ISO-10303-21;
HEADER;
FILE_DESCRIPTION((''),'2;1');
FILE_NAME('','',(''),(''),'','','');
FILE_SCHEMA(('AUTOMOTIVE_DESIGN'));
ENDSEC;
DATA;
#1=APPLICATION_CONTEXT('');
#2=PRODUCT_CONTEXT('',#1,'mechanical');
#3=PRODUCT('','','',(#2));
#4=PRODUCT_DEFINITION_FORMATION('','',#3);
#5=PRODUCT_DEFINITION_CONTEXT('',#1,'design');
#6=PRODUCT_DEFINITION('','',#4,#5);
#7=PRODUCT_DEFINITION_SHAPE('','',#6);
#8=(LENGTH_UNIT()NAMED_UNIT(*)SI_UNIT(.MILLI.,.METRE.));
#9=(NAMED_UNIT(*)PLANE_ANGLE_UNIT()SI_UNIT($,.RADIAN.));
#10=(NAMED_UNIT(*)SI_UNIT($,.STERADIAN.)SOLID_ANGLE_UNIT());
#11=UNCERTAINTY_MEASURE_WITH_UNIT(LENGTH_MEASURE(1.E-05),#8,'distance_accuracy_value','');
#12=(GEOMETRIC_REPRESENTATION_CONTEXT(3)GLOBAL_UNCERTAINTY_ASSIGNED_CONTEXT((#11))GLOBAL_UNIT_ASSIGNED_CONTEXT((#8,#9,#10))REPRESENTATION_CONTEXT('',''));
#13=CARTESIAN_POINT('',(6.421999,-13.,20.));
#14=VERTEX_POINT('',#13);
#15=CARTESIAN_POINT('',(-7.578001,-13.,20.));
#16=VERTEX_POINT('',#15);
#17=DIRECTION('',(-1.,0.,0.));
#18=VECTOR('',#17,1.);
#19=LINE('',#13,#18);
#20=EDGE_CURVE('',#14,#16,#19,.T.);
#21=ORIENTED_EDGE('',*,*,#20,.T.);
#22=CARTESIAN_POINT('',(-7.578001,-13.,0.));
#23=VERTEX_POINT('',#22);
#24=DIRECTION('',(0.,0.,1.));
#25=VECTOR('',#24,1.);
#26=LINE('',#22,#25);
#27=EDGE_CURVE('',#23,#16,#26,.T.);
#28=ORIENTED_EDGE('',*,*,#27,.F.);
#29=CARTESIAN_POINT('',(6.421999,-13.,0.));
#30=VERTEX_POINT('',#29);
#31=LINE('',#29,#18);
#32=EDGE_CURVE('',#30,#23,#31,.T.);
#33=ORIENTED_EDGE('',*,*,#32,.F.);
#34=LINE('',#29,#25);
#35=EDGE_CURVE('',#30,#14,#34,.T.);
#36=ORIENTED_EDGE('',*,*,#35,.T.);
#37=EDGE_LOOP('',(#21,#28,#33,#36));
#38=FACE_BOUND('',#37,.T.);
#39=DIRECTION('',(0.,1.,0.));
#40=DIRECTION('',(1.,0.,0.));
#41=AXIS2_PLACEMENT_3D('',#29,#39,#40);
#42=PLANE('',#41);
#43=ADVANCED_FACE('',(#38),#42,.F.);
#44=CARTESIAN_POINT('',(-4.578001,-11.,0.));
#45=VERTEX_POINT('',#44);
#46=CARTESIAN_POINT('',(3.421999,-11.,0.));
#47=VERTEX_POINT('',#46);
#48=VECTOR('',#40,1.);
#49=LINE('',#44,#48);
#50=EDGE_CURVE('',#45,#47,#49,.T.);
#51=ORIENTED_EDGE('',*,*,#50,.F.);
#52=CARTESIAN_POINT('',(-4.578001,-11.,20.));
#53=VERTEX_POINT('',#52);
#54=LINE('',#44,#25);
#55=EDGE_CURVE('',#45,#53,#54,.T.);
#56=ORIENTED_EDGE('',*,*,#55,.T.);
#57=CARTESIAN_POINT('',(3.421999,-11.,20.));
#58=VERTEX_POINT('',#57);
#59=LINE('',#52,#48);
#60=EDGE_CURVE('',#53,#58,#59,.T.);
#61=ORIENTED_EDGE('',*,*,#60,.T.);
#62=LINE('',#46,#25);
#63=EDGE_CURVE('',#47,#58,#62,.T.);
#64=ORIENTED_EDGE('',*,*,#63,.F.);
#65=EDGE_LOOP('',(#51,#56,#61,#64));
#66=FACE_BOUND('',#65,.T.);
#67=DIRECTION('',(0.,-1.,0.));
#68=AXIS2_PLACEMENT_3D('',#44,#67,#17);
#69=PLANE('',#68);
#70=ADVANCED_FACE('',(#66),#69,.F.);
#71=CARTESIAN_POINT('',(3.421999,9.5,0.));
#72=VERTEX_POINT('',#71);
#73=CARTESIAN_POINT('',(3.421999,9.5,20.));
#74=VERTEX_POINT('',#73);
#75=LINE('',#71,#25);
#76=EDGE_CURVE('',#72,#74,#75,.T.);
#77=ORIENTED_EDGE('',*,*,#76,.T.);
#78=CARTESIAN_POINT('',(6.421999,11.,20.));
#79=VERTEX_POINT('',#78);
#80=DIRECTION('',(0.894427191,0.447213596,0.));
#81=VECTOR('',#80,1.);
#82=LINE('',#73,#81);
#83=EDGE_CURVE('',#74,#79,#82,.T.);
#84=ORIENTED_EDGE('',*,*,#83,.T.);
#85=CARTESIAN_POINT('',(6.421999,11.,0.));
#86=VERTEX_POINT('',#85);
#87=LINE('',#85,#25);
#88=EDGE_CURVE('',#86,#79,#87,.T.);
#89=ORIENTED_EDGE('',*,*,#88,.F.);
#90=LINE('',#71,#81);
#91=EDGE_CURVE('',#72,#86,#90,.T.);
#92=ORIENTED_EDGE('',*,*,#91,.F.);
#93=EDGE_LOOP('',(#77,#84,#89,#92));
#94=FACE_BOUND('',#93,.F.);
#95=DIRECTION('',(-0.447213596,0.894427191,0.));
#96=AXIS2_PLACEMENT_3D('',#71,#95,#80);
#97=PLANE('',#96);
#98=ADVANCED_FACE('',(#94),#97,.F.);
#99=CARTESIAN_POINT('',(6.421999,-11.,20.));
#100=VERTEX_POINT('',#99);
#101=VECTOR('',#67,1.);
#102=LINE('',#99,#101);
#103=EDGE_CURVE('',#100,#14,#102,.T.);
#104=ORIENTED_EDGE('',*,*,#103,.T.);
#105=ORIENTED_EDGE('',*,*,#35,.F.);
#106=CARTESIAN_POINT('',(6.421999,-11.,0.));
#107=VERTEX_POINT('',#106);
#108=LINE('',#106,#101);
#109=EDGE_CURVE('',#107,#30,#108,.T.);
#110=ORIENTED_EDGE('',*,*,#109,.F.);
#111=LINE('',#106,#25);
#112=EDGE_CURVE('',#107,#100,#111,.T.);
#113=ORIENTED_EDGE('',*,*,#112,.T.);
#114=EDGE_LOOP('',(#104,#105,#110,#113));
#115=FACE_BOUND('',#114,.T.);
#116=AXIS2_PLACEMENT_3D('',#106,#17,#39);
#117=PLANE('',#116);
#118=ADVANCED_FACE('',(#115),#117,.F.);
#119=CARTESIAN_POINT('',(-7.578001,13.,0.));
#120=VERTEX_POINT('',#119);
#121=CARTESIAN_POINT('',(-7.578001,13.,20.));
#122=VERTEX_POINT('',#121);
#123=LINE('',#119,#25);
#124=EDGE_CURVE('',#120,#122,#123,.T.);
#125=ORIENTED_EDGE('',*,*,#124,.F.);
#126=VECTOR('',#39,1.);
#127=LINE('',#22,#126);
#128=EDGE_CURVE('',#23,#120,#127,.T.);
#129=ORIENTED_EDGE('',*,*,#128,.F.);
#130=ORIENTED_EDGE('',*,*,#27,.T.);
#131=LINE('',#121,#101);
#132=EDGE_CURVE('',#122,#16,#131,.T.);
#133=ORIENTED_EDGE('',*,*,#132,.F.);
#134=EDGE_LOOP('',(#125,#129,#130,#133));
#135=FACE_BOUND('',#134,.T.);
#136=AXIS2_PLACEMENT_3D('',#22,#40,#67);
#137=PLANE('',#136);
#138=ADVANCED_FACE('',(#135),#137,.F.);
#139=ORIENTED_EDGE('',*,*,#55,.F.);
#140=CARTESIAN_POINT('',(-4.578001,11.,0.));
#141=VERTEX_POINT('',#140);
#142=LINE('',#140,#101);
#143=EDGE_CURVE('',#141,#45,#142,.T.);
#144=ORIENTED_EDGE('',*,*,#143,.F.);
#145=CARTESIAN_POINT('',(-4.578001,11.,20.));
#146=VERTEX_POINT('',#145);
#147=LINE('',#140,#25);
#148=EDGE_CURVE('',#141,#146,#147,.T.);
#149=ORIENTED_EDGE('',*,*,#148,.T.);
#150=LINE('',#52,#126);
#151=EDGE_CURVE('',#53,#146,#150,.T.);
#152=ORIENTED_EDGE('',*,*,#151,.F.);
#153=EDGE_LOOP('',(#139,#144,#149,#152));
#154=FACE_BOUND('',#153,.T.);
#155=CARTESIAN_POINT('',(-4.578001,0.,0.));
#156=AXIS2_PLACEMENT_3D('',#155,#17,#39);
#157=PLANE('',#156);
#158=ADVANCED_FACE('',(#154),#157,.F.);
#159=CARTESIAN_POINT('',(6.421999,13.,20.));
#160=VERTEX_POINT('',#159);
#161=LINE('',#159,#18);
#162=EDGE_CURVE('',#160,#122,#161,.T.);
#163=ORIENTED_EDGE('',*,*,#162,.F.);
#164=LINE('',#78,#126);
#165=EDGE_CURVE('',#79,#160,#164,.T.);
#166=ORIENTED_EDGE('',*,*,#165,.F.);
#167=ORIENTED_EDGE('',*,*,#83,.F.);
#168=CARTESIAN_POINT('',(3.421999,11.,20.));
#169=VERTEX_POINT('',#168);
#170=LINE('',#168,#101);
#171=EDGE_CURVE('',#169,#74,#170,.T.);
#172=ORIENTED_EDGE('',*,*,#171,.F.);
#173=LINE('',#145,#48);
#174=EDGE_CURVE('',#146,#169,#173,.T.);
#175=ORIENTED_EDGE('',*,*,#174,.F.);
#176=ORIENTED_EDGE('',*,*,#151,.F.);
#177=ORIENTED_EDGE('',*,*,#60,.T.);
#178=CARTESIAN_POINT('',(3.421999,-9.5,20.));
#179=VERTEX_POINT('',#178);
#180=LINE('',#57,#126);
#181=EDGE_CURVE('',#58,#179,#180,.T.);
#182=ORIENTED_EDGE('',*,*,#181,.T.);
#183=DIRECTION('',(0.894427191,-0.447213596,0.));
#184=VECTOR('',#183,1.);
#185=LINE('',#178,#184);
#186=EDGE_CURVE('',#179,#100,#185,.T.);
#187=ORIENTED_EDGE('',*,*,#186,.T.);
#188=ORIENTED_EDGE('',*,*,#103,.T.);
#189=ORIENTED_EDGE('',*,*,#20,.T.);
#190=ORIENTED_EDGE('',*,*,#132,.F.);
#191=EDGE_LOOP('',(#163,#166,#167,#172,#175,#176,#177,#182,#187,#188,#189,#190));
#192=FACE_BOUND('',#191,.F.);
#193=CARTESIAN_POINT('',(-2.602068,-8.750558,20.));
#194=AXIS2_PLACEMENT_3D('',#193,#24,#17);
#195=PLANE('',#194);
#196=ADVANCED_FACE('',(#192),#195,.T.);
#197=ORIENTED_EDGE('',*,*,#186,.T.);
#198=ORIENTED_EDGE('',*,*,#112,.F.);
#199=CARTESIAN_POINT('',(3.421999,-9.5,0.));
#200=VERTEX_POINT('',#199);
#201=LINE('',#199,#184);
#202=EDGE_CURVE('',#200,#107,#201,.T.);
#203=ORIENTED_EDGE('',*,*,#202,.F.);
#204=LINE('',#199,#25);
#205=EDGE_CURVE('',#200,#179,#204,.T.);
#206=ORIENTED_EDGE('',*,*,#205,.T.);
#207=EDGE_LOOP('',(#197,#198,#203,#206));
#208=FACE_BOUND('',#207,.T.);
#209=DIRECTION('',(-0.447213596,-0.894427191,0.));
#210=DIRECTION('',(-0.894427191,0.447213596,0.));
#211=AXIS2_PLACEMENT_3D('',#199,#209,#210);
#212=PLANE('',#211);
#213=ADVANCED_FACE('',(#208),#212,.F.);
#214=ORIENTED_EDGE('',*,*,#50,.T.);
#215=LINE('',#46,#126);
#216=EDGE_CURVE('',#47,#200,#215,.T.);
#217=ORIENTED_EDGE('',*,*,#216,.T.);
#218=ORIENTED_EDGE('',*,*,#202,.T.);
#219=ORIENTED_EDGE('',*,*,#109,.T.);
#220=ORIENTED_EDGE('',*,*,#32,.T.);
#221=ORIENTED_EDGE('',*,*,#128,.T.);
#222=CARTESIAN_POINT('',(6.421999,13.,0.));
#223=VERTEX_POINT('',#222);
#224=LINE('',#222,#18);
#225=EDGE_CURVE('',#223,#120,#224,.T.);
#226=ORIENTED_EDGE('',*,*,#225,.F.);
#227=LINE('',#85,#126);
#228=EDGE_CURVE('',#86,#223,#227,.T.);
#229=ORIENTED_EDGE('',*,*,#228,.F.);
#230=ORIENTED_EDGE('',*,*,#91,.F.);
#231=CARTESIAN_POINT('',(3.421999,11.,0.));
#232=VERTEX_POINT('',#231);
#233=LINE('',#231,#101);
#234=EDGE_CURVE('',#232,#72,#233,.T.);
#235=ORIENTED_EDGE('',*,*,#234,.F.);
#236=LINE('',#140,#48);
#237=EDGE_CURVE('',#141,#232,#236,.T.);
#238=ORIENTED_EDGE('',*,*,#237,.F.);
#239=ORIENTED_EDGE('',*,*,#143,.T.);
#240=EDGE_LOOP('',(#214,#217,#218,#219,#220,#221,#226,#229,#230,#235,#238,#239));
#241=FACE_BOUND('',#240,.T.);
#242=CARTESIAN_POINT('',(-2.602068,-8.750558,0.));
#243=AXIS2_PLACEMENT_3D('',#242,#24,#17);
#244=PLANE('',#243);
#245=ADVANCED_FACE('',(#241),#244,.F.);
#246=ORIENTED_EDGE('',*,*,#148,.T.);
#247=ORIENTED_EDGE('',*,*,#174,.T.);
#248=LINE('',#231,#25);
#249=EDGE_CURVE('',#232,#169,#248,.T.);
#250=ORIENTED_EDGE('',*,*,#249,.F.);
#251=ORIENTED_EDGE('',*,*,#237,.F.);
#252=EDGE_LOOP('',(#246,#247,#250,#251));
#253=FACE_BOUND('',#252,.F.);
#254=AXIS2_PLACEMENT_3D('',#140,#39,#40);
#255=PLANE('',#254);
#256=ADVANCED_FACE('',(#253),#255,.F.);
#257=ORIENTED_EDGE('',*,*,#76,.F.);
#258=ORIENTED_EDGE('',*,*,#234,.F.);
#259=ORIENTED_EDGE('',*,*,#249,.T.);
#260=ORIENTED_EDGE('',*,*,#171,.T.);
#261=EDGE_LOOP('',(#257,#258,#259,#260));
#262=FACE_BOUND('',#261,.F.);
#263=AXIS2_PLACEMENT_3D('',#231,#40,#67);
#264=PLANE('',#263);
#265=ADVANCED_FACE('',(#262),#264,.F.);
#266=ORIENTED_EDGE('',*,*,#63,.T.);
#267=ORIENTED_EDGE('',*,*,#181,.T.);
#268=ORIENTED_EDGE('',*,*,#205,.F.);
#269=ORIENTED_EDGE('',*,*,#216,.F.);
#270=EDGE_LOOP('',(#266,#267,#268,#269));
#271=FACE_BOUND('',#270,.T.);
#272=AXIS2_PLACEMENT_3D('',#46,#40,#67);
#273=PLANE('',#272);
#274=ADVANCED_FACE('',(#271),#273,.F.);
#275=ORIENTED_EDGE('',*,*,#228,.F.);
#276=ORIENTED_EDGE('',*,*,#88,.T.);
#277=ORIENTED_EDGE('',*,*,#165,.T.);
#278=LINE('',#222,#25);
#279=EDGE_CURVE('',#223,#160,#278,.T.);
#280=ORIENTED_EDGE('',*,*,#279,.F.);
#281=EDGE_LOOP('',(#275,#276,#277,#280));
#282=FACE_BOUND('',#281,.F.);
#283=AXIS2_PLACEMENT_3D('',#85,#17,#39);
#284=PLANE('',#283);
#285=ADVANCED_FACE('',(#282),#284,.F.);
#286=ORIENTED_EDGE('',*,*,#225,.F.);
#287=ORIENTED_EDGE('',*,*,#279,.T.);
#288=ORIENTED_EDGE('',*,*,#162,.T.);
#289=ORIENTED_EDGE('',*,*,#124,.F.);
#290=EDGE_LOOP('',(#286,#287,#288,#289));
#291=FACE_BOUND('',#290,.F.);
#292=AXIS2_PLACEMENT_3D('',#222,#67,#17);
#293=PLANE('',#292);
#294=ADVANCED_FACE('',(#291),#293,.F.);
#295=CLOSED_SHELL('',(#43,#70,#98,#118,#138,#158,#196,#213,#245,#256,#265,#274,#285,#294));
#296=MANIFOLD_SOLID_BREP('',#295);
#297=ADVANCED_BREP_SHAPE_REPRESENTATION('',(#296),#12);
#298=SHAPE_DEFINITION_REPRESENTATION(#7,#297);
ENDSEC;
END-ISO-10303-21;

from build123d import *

# Parameters (mm, degrees)
PAD_DEPTH = 20


with BuildPart() as part:
    # Sketch → Pad (new body)
    with BuildSketch(Plane.XY):
        Polygon((3.421999, 11), (3.421999, 9.5), (6.421999, 11), (6.421999, 13), (-7.578001, 13), (-7.578001, 0), (-4.578001, 0), (-4.578001, 11), align=None)
    pad = extrude(amount=PAD_DEPTH)

    # Mirrored: Pad across Sketch H_Axis
    add(pad.mirror(Plane.ZX))


solid = part.part
